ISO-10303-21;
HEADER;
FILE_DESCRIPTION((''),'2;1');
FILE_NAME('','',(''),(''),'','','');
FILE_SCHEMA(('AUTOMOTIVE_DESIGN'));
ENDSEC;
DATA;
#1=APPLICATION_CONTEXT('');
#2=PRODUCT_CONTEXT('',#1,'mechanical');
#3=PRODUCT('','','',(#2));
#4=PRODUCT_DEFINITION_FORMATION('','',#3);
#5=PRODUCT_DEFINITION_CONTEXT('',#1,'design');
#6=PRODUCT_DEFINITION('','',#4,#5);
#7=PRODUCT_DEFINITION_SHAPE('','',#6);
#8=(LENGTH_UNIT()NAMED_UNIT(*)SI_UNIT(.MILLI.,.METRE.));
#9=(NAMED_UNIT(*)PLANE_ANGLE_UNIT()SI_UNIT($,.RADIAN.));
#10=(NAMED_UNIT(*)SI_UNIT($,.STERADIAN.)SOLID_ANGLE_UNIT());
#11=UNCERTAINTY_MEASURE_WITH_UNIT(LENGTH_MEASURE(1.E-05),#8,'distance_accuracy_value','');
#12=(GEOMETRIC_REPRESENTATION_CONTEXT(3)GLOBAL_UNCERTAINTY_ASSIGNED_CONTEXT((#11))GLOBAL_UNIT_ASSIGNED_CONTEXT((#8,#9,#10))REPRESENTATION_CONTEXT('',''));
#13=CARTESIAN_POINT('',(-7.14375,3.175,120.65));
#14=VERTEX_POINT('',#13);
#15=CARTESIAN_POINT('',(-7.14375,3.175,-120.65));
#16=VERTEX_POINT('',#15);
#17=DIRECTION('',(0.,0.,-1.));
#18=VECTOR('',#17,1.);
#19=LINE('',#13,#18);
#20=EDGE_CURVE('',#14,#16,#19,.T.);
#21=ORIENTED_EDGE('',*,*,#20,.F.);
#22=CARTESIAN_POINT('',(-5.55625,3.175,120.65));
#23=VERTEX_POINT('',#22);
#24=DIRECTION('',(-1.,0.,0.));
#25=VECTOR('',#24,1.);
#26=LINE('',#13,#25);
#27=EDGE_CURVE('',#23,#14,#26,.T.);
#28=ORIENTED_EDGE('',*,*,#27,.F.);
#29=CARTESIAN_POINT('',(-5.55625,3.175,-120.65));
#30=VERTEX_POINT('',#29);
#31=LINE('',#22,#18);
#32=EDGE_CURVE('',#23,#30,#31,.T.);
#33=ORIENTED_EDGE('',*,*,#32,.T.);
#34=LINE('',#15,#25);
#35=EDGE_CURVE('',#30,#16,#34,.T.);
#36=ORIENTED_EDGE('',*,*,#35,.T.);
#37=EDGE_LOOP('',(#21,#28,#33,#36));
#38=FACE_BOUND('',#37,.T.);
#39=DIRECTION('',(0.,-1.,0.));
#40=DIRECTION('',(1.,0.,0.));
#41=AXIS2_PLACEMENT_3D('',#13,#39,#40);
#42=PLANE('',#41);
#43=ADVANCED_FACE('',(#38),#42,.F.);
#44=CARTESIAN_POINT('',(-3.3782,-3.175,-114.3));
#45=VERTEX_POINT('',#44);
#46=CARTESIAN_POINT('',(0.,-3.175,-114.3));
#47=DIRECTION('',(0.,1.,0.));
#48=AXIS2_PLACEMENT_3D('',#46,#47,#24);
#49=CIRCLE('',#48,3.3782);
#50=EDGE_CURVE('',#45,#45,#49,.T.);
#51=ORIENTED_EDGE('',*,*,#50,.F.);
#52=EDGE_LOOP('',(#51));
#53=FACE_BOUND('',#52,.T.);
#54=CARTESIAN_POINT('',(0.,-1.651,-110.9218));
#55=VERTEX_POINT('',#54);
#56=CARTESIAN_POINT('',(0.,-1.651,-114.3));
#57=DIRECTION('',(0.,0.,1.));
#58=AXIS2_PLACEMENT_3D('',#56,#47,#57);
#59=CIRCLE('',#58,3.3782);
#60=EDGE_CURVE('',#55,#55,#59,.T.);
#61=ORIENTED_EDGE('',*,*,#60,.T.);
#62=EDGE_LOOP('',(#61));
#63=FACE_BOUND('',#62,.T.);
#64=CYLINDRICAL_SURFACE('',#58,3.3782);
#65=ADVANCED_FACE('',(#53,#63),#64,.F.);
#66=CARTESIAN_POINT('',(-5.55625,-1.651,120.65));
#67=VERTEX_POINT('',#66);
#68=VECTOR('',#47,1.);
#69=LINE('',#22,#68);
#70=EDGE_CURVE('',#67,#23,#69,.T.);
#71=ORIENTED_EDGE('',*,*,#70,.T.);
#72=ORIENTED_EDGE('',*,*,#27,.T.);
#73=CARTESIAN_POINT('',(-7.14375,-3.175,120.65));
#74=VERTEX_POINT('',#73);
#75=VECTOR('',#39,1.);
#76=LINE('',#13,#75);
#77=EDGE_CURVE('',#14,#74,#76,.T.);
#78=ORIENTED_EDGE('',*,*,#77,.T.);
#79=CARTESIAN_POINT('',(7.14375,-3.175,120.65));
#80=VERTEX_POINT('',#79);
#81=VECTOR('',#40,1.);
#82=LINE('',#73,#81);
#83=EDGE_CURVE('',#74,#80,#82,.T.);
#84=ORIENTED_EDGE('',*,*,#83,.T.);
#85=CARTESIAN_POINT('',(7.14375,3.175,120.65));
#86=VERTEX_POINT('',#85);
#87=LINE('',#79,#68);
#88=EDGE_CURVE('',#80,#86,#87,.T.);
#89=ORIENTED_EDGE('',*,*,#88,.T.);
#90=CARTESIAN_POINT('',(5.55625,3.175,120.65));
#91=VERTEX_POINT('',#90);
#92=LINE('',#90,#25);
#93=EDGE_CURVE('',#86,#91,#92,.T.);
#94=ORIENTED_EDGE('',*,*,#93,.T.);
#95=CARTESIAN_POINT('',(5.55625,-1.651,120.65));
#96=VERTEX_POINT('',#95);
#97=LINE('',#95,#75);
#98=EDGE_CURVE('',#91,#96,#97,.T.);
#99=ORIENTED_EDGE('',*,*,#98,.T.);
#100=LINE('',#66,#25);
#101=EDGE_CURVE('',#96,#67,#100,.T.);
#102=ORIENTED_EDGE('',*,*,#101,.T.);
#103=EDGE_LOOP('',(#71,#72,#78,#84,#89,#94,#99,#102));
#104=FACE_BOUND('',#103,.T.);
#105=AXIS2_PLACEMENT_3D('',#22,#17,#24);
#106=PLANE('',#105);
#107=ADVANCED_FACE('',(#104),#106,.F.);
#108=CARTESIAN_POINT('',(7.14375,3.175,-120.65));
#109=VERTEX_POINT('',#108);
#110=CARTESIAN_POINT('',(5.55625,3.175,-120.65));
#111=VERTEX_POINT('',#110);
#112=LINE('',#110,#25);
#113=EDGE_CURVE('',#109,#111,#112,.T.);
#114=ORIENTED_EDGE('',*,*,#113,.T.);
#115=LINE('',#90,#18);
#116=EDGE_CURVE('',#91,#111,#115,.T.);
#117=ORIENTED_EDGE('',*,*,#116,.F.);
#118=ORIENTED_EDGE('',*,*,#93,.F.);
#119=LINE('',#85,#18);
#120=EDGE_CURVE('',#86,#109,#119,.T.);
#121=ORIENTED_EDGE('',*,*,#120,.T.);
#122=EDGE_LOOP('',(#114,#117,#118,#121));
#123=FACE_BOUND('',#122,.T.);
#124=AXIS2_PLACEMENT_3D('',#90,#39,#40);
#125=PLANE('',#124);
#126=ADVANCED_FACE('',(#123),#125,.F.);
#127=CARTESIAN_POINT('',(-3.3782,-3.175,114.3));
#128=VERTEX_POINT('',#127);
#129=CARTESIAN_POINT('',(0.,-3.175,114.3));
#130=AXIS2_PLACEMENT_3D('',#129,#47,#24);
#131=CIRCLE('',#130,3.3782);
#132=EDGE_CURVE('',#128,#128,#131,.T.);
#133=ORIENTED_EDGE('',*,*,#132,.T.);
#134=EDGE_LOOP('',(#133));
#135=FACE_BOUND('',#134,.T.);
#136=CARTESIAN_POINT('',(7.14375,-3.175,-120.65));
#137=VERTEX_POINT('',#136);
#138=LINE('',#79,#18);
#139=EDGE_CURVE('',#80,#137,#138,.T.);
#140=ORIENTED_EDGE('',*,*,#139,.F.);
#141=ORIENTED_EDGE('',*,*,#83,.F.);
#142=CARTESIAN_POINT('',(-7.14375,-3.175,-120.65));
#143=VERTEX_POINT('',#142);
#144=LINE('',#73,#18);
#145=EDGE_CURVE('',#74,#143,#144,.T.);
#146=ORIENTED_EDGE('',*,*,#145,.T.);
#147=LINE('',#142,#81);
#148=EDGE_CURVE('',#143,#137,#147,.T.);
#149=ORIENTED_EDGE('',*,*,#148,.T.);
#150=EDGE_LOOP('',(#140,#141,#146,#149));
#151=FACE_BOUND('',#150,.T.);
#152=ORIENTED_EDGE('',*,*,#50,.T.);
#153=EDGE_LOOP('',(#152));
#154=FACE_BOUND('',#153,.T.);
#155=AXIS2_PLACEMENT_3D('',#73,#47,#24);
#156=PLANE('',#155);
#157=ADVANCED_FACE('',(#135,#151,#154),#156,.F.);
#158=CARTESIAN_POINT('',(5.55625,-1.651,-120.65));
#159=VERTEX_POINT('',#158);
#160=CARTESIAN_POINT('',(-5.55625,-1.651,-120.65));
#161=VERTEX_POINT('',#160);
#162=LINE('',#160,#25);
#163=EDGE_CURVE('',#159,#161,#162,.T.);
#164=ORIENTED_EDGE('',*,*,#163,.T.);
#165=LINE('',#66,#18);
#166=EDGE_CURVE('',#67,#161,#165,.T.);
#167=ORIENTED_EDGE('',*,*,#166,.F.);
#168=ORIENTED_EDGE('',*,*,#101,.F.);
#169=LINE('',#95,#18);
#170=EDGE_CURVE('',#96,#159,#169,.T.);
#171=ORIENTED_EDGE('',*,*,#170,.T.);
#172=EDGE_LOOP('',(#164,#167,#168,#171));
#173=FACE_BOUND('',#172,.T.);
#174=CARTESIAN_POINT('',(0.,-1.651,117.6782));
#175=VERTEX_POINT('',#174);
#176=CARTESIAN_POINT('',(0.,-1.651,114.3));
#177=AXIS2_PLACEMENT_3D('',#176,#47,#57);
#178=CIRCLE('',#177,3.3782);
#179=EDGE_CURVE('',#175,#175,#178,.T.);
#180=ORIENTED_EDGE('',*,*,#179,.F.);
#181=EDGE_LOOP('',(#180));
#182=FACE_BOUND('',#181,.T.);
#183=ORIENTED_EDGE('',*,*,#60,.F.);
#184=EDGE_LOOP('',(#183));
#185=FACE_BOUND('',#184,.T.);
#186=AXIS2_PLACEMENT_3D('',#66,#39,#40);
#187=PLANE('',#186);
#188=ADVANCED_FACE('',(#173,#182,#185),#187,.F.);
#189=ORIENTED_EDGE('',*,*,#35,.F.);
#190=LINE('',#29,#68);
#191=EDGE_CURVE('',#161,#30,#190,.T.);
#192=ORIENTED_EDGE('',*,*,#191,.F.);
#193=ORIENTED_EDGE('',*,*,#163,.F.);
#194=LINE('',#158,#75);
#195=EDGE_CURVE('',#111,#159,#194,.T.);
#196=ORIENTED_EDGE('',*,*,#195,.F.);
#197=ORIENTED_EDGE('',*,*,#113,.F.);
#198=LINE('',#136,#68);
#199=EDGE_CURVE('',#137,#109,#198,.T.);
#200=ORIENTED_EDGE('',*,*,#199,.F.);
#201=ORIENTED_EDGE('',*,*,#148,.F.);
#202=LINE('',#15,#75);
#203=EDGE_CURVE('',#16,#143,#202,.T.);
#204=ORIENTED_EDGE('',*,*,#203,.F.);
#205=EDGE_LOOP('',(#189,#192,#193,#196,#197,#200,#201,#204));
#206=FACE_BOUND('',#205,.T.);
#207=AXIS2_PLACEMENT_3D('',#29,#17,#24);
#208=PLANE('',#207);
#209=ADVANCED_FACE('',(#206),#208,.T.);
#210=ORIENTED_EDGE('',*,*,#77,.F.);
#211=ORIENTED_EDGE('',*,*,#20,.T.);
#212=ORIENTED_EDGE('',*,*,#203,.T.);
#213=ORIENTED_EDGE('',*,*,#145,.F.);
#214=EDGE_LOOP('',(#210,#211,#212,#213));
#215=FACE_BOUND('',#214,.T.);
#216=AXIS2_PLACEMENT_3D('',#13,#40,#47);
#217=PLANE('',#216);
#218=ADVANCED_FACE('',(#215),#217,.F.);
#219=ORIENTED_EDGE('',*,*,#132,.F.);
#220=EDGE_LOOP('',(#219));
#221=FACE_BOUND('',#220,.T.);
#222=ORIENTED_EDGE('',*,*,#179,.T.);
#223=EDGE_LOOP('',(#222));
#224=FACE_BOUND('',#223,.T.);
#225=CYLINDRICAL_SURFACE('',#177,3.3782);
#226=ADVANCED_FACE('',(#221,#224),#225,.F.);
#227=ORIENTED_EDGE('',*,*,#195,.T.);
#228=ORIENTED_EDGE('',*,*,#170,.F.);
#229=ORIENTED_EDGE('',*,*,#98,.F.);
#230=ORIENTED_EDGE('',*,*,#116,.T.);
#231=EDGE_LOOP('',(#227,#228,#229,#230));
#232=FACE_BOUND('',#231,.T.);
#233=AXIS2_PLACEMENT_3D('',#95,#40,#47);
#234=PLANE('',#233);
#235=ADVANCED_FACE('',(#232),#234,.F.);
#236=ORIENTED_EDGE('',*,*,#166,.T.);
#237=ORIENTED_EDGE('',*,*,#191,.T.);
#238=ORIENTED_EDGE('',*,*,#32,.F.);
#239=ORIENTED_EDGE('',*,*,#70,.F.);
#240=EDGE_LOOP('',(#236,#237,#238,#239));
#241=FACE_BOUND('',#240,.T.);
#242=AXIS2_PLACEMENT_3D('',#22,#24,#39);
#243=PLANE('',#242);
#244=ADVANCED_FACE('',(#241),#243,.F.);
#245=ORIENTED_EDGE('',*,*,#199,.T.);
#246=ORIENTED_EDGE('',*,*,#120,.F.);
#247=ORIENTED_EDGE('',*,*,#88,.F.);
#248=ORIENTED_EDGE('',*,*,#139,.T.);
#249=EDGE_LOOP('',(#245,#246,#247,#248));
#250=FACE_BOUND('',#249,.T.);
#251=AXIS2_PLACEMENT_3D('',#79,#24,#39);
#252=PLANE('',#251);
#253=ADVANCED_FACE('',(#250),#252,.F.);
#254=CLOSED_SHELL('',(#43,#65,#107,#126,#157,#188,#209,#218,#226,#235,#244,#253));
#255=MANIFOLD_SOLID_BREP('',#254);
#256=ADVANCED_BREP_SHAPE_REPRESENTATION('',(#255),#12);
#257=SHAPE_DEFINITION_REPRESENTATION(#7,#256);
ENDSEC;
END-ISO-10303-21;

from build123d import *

# Parameters (mm, degrees)
BOSS_EXTRUDE1_DEPTH     = 120.65
F_1_4_CLEARANCE_HOLE1_D = 6.7564


with BuildPart() as part:
    # Sketch2 → Boss-Extrude1 (new, symmetric)
    with BuildSketch(Plane.XY):
        Polygon((-7.14375, 3.175), (-7.14375, -3.175), (7.14375, -3.175), (7.14375, 3.175), (5.55625, 3.175), (5.55625, -1.651), (-5.55625, -1.651), (-5.55625, 3.175), align=None)
    extrude(amount=BOSS_EXTRUDE1_DEPTH, both=True)

    # 1/4 Clearance Hole1 (through all)
    with Locations(Plane(origin=(0, -1.651, 0), x_dir=(-1, 0, 0), z_dir=(0, 1, 0))):
        with Locations((0, -114.3), (0, 114.3)):
            Hole(F_1_4_CLEARANCE_HOLE1_D / 2)


solid = part.part
